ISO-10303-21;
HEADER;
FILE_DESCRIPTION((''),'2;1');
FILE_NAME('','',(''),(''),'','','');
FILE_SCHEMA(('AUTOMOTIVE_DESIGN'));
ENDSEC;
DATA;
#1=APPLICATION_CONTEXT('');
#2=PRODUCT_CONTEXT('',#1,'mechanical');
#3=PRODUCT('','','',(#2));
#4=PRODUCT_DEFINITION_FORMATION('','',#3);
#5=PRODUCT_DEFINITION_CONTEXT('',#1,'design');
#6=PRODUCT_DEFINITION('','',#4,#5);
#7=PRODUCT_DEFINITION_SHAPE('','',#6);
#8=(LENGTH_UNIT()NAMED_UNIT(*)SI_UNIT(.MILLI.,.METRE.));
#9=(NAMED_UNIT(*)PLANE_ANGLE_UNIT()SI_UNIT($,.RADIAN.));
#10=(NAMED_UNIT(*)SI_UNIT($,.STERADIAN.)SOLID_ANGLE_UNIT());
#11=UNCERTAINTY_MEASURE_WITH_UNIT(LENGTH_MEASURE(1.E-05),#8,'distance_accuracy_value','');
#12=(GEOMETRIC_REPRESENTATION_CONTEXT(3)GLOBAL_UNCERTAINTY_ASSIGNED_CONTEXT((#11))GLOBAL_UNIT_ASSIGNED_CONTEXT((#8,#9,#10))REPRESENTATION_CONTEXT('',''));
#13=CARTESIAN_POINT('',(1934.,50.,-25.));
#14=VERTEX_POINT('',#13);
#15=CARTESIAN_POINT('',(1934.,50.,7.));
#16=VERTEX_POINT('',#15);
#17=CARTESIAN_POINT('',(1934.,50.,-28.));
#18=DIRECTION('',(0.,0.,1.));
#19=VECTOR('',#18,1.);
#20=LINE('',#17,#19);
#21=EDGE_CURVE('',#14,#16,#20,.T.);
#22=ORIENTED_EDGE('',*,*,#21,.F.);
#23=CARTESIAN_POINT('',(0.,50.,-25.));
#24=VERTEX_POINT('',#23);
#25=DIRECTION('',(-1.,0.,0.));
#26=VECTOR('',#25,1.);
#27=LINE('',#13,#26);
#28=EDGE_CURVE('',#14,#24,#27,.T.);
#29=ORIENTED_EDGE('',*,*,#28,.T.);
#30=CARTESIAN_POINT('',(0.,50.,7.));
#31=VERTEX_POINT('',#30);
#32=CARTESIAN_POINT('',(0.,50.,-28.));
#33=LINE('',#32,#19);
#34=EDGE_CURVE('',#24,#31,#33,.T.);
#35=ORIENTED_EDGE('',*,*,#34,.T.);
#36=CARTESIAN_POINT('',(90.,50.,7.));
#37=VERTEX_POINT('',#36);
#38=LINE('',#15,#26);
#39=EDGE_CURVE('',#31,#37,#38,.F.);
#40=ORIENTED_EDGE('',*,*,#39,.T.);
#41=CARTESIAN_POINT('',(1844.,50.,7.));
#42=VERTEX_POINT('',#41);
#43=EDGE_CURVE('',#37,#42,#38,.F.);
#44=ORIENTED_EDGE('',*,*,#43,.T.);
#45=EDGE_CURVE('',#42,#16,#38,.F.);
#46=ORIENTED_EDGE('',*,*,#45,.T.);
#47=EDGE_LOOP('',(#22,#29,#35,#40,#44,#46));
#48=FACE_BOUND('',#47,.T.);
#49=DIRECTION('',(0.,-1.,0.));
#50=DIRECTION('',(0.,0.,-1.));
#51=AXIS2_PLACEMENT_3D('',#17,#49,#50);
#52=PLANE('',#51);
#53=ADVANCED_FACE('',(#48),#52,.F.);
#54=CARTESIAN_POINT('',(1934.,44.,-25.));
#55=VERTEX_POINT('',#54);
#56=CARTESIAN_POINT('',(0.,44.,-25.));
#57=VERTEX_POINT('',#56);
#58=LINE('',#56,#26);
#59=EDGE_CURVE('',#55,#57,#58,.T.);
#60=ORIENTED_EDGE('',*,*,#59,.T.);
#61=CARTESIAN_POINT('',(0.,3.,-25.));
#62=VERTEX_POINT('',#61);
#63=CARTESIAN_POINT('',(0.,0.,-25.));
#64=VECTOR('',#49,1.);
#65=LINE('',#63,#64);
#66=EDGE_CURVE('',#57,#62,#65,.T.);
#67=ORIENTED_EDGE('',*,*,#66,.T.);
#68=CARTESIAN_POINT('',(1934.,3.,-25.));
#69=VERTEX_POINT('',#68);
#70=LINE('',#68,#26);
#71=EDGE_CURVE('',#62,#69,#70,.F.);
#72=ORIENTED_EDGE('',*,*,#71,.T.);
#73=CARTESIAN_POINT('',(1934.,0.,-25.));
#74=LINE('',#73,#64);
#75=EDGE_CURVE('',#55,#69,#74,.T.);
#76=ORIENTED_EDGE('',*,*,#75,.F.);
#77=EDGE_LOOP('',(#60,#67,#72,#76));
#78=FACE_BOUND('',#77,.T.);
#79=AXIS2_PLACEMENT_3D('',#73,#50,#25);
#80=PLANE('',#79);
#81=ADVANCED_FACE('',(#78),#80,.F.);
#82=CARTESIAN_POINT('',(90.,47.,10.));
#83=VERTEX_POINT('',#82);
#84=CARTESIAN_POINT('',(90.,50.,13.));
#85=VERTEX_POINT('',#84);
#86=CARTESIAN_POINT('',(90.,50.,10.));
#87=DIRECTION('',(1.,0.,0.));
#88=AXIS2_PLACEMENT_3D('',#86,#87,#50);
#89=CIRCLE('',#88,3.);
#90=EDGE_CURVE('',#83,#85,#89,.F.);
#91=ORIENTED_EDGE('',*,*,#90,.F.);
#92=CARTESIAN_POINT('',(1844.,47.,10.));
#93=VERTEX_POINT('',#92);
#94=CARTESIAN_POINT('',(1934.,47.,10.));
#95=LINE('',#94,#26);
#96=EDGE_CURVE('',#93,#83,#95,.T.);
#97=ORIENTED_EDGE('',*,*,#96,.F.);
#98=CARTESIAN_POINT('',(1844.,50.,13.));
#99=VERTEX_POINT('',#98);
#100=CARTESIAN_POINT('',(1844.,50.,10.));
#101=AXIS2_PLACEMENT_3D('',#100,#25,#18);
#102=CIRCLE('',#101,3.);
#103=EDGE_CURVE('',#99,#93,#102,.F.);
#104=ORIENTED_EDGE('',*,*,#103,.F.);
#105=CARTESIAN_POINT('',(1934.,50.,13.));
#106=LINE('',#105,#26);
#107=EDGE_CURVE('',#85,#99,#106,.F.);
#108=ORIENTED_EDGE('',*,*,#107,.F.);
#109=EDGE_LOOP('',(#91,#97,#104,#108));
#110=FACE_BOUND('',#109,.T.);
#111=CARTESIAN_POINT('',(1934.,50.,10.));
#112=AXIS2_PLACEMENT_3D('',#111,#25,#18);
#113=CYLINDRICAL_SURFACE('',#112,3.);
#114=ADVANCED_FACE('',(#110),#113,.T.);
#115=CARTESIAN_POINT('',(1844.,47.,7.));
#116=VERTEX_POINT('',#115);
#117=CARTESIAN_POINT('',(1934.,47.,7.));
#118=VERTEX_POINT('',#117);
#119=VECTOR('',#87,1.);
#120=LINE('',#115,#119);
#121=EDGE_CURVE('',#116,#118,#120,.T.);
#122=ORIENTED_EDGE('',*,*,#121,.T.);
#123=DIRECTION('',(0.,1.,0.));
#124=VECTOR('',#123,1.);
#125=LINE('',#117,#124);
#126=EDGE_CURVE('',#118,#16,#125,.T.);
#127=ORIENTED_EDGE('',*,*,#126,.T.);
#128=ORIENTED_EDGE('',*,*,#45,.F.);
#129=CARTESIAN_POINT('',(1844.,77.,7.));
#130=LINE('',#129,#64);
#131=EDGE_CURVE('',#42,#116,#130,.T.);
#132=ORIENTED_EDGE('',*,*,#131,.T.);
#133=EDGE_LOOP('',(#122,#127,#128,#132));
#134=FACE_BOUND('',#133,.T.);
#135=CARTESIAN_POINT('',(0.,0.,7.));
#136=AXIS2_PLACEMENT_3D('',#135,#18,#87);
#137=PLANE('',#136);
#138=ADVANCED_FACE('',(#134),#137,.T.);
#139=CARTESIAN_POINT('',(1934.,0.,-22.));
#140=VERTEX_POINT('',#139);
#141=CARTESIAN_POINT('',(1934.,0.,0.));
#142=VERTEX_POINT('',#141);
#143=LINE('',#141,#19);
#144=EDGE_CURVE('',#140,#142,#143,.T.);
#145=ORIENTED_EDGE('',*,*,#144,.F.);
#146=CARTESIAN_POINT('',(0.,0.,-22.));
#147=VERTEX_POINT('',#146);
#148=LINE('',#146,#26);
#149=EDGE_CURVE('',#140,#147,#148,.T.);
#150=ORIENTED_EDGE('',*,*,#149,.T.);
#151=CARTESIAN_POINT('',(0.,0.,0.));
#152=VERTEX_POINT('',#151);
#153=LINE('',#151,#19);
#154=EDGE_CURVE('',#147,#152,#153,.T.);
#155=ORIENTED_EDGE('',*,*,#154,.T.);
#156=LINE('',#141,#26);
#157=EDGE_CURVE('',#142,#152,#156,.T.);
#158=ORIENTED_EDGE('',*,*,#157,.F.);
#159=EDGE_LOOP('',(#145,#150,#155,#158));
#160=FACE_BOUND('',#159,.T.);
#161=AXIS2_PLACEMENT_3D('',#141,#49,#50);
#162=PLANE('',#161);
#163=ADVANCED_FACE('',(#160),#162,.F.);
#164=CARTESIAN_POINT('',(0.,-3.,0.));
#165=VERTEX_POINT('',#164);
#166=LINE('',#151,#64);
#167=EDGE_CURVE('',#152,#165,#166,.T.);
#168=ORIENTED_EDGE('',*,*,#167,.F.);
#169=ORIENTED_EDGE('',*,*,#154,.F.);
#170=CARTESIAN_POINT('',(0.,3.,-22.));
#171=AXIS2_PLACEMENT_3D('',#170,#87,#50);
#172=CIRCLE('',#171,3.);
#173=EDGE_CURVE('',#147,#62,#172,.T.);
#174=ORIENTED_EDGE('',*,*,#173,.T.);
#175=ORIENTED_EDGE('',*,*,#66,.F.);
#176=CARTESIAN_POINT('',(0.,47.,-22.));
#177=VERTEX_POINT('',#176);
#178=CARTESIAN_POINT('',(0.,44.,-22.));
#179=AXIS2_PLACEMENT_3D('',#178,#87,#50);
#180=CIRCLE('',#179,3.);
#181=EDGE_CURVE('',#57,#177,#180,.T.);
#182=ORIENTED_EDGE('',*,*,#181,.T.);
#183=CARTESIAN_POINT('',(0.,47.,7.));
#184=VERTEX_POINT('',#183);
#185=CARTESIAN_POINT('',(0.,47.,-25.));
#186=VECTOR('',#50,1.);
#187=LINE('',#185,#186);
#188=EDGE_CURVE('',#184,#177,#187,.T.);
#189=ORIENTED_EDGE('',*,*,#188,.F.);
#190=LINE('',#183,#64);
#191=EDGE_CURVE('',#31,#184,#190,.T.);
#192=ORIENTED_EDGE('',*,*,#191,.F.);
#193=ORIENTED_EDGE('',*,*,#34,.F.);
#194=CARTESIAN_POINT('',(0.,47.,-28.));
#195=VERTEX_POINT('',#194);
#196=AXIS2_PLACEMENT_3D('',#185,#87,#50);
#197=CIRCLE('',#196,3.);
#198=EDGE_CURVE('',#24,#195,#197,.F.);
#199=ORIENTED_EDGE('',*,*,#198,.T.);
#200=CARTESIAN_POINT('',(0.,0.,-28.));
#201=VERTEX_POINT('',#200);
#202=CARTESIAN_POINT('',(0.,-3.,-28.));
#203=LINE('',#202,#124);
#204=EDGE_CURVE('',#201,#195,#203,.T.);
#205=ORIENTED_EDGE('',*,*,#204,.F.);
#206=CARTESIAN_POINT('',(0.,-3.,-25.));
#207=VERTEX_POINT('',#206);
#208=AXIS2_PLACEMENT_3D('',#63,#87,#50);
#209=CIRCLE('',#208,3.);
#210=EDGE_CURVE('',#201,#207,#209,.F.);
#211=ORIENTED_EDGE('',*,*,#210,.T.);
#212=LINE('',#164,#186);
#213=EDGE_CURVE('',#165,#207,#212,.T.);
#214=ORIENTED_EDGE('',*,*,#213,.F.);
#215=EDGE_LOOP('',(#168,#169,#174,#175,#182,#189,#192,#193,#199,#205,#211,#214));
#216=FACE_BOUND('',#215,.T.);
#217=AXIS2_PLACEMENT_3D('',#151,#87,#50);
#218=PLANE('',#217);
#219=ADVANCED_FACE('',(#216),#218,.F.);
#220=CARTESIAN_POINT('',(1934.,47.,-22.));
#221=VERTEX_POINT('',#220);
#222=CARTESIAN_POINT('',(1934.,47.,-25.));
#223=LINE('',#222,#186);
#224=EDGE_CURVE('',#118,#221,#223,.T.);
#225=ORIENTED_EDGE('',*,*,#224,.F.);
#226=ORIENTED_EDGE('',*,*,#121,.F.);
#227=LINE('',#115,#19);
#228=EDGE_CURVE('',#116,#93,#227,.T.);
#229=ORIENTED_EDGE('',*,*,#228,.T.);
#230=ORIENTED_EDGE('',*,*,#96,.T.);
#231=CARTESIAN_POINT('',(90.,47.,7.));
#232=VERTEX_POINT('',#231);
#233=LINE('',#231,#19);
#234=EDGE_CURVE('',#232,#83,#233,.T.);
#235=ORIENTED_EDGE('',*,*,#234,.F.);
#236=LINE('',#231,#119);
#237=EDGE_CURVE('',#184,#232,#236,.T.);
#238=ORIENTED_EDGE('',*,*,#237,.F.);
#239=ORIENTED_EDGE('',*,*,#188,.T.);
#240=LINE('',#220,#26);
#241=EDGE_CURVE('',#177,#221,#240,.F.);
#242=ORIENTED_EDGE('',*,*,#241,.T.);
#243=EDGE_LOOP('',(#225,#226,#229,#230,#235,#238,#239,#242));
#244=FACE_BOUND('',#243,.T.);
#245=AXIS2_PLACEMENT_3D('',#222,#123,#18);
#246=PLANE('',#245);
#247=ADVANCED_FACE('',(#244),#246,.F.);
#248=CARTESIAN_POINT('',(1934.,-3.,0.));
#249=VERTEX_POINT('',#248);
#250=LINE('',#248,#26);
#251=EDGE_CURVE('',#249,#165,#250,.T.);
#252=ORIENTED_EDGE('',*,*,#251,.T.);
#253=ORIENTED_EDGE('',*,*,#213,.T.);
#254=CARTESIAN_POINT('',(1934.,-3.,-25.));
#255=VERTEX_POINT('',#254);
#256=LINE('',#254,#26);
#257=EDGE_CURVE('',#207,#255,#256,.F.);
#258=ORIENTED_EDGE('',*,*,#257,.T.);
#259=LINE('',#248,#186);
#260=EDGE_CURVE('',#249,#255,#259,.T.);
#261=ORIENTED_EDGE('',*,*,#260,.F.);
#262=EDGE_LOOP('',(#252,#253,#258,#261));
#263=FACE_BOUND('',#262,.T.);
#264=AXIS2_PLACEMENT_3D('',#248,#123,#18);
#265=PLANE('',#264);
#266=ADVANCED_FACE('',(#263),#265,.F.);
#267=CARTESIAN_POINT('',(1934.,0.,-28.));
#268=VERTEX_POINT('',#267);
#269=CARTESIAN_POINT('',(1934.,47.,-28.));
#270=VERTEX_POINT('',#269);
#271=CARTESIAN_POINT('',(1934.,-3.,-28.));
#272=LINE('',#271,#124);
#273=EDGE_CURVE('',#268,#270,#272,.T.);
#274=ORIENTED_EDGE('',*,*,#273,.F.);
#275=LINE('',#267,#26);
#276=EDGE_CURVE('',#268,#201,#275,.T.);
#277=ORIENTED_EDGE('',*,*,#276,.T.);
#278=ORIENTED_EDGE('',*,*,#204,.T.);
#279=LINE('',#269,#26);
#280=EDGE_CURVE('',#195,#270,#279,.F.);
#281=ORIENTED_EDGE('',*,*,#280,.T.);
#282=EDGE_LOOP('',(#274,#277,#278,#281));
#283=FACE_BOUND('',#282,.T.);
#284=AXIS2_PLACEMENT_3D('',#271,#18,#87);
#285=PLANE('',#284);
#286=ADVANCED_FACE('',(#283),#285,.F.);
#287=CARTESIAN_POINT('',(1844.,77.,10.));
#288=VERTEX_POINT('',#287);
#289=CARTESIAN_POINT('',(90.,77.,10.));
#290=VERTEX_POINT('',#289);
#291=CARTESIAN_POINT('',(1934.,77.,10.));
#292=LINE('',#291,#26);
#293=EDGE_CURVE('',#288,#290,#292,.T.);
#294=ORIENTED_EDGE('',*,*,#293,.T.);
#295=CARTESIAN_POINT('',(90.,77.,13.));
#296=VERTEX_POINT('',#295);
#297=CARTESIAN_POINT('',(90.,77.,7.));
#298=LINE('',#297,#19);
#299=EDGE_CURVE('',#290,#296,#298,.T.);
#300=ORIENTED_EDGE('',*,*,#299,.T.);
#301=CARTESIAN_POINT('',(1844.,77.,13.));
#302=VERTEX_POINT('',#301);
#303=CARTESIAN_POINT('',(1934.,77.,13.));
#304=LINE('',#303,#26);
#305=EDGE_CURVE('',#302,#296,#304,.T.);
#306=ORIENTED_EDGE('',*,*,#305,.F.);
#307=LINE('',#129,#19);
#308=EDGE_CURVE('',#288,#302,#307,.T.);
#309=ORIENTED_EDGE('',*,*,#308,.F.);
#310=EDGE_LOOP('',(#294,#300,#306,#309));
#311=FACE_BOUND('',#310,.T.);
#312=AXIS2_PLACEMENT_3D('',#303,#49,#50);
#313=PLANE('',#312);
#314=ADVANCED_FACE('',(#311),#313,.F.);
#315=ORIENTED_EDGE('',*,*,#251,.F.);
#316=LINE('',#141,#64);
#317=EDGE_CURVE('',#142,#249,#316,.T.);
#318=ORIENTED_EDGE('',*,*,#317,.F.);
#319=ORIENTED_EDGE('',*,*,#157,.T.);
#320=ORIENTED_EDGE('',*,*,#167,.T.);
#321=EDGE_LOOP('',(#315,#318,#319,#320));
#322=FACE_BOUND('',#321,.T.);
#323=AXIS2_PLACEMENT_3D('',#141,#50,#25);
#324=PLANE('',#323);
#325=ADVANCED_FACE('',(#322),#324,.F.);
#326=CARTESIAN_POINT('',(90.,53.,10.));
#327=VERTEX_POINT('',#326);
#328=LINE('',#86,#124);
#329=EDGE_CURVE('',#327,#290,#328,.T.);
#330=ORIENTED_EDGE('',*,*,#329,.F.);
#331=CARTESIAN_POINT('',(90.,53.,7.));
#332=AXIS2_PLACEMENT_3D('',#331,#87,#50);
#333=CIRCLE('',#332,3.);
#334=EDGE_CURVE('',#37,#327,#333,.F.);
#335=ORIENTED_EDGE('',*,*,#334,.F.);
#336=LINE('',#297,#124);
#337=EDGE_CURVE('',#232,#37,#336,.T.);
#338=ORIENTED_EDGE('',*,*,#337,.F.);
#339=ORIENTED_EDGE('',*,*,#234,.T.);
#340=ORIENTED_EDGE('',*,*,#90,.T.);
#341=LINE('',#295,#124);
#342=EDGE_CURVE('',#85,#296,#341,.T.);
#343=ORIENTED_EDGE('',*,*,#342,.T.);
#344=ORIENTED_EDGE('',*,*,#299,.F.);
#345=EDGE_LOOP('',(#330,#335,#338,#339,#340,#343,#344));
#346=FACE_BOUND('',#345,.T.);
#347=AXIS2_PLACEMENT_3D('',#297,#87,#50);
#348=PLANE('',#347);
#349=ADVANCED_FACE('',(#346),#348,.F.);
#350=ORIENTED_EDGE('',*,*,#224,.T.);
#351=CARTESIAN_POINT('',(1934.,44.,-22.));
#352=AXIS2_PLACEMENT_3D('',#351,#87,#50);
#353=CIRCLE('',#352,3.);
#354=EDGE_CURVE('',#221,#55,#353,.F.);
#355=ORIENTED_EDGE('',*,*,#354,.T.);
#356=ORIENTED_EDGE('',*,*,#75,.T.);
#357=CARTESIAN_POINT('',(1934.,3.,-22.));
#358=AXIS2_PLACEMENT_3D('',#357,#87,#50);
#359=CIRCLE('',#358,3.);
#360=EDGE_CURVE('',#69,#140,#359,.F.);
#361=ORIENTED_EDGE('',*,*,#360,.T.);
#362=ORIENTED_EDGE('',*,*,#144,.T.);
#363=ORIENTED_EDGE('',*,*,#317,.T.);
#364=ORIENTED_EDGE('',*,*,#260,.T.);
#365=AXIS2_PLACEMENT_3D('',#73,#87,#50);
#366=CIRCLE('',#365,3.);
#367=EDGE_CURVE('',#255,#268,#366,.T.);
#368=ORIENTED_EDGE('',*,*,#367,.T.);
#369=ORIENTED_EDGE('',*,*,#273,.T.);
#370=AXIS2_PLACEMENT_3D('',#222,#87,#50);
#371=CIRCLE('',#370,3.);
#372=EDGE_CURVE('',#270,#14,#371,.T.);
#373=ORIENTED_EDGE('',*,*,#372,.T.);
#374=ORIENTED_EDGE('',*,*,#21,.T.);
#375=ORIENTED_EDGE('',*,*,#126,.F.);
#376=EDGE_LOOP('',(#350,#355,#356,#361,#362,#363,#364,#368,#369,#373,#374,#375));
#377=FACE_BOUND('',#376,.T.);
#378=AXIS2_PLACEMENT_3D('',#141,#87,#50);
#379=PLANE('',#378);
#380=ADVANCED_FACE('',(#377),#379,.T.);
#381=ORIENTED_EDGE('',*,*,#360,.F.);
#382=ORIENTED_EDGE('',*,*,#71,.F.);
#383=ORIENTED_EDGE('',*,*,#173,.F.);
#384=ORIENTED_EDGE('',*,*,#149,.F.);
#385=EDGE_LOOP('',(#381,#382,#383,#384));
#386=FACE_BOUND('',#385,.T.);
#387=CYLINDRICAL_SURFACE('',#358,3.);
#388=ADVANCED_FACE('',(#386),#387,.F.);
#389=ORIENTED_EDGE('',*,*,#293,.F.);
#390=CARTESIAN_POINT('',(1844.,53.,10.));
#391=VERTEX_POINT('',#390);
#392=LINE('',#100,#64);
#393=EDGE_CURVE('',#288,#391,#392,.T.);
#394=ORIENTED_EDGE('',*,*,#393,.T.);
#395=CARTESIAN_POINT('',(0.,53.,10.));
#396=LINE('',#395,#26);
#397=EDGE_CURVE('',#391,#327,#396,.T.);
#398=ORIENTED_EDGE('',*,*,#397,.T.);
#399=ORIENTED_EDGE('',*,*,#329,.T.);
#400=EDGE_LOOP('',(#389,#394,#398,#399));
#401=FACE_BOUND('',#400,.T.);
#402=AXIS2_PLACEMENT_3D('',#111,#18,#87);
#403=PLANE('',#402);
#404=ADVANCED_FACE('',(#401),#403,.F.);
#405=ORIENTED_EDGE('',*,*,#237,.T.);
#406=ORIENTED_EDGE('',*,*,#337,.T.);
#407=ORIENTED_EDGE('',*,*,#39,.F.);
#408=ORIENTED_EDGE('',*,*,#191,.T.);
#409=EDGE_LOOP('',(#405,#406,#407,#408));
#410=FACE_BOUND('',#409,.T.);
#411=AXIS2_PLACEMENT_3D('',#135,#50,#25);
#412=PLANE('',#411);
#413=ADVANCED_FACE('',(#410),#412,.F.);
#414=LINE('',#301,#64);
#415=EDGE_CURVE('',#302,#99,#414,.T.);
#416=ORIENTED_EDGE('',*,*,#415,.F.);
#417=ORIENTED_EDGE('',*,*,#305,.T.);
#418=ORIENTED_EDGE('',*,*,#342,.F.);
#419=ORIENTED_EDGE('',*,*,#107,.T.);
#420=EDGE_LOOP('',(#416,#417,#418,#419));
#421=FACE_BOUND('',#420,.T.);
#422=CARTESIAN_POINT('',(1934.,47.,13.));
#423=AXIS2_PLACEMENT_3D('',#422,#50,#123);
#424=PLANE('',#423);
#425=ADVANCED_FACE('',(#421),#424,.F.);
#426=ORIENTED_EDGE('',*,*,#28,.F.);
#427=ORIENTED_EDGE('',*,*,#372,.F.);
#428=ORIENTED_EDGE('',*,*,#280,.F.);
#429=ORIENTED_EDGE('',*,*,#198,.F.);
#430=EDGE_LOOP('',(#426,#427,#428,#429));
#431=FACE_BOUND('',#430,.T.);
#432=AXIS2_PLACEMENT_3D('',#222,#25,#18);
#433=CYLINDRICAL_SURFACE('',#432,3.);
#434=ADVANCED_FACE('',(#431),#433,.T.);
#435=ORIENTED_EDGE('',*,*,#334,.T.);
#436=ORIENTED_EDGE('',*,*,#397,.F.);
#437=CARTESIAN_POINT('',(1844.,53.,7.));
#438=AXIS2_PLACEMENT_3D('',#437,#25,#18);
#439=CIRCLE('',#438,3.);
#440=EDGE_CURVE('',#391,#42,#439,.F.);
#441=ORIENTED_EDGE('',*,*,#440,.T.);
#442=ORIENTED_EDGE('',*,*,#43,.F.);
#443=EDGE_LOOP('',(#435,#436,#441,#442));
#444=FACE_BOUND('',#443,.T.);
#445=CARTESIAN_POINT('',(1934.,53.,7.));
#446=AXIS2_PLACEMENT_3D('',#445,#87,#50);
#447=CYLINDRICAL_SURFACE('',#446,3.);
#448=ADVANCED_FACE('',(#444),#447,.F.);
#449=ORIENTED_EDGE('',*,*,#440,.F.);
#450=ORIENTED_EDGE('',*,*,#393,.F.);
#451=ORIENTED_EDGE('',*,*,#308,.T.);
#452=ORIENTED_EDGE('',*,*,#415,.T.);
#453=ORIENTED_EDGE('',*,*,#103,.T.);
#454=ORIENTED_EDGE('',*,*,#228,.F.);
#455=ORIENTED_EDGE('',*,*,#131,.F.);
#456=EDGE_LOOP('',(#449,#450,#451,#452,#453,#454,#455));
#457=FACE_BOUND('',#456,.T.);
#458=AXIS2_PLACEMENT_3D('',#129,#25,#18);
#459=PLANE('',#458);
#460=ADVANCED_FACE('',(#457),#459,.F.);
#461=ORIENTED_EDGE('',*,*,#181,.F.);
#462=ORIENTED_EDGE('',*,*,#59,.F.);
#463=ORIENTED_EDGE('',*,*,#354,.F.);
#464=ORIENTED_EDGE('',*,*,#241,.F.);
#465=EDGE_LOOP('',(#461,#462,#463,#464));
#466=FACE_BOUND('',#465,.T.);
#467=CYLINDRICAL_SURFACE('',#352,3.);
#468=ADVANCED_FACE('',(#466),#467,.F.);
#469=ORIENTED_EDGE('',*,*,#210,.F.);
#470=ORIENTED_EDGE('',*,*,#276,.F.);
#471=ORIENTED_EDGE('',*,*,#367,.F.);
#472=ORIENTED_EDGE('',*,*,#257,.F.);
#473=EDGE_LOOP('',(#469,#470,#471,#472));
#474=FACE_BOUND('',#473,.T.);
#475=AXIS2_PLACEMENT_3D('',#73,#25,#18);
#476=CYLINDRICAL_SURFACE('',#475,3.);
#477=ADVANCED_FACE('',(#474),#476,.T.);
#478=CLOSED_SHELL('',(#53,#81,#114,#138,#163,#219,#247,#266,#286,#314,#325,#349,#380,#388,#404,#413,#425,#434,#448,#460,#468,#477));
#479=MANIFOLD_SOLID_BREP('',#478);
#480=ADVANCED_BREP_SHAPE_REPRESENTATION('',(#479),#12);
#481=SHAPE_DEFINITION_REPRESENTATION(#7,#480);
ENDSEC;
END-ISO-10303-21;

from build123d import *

# Parameters (mm, degrees)
BOSS_EXTRUDE1_DEPTH = 1934
FILLET1_R           = 3
SKETCH2_W           = 90
SKETCH2_H           = 30
CUT_EXTRUDE1_DEPTH  = 6
SKETCH3_W           = 90
SKETCH3_H           = 30
CUT_EXTRUDE2_DEPTH  = 6


with BuildPart() as part:
    # Sketch1 → Boss-Extrude1 (new body)
    with BuildSketch(Plane(origin=(0, 0, 0), x_dir=(0, 0, -1), z_dir=(1, 0, 0))):
        Polygon((0, 0), (25, 0), (25, 47), (-13, 47), (-13, 77), (-10, 77), (-10, 50), (28, 50), (28, -3), (0, -3), align=None)
    extrude(amount=BOSS_EXTRUDE1_DEPTH)

    # Fillet1
    fillet1_edges = [part.edges().sort_by_distance(p)[0] for p in [
        (967, 0, -25),
        (967, 47, -25),
        (967, 47, 13),
        (967, 50, 10),
        (967, 50, -28),
        (967, -3, -28),
    ]]
    fillet(fillet1_edges, radius=FILLET1_R)

    # Sketch2 → Cut-Extrude1 (cut)
    with BuildSketch(Plane.XY.offset(13)):
        with Locations((45, 62)):
            Rectangle(SKETCH2_W, SKETCH2_H)
    extrude(amount=-CUT_EXTRUDE1_DEPTH, mode=Mode.SUBTRACT)

    # Sketch3 → Cut-Extrude2 (cut)
    with BuildSketch(Plane.XY.offset(13)):
        with Locations((1889, 62)):
            Rectangle(SKETCH3_W, SKETCH3_H)
    extrude(amount=-CUT_EXTRUDE2_DEPTH, mode=Mode.SUBTRACT)


solid = part.part
